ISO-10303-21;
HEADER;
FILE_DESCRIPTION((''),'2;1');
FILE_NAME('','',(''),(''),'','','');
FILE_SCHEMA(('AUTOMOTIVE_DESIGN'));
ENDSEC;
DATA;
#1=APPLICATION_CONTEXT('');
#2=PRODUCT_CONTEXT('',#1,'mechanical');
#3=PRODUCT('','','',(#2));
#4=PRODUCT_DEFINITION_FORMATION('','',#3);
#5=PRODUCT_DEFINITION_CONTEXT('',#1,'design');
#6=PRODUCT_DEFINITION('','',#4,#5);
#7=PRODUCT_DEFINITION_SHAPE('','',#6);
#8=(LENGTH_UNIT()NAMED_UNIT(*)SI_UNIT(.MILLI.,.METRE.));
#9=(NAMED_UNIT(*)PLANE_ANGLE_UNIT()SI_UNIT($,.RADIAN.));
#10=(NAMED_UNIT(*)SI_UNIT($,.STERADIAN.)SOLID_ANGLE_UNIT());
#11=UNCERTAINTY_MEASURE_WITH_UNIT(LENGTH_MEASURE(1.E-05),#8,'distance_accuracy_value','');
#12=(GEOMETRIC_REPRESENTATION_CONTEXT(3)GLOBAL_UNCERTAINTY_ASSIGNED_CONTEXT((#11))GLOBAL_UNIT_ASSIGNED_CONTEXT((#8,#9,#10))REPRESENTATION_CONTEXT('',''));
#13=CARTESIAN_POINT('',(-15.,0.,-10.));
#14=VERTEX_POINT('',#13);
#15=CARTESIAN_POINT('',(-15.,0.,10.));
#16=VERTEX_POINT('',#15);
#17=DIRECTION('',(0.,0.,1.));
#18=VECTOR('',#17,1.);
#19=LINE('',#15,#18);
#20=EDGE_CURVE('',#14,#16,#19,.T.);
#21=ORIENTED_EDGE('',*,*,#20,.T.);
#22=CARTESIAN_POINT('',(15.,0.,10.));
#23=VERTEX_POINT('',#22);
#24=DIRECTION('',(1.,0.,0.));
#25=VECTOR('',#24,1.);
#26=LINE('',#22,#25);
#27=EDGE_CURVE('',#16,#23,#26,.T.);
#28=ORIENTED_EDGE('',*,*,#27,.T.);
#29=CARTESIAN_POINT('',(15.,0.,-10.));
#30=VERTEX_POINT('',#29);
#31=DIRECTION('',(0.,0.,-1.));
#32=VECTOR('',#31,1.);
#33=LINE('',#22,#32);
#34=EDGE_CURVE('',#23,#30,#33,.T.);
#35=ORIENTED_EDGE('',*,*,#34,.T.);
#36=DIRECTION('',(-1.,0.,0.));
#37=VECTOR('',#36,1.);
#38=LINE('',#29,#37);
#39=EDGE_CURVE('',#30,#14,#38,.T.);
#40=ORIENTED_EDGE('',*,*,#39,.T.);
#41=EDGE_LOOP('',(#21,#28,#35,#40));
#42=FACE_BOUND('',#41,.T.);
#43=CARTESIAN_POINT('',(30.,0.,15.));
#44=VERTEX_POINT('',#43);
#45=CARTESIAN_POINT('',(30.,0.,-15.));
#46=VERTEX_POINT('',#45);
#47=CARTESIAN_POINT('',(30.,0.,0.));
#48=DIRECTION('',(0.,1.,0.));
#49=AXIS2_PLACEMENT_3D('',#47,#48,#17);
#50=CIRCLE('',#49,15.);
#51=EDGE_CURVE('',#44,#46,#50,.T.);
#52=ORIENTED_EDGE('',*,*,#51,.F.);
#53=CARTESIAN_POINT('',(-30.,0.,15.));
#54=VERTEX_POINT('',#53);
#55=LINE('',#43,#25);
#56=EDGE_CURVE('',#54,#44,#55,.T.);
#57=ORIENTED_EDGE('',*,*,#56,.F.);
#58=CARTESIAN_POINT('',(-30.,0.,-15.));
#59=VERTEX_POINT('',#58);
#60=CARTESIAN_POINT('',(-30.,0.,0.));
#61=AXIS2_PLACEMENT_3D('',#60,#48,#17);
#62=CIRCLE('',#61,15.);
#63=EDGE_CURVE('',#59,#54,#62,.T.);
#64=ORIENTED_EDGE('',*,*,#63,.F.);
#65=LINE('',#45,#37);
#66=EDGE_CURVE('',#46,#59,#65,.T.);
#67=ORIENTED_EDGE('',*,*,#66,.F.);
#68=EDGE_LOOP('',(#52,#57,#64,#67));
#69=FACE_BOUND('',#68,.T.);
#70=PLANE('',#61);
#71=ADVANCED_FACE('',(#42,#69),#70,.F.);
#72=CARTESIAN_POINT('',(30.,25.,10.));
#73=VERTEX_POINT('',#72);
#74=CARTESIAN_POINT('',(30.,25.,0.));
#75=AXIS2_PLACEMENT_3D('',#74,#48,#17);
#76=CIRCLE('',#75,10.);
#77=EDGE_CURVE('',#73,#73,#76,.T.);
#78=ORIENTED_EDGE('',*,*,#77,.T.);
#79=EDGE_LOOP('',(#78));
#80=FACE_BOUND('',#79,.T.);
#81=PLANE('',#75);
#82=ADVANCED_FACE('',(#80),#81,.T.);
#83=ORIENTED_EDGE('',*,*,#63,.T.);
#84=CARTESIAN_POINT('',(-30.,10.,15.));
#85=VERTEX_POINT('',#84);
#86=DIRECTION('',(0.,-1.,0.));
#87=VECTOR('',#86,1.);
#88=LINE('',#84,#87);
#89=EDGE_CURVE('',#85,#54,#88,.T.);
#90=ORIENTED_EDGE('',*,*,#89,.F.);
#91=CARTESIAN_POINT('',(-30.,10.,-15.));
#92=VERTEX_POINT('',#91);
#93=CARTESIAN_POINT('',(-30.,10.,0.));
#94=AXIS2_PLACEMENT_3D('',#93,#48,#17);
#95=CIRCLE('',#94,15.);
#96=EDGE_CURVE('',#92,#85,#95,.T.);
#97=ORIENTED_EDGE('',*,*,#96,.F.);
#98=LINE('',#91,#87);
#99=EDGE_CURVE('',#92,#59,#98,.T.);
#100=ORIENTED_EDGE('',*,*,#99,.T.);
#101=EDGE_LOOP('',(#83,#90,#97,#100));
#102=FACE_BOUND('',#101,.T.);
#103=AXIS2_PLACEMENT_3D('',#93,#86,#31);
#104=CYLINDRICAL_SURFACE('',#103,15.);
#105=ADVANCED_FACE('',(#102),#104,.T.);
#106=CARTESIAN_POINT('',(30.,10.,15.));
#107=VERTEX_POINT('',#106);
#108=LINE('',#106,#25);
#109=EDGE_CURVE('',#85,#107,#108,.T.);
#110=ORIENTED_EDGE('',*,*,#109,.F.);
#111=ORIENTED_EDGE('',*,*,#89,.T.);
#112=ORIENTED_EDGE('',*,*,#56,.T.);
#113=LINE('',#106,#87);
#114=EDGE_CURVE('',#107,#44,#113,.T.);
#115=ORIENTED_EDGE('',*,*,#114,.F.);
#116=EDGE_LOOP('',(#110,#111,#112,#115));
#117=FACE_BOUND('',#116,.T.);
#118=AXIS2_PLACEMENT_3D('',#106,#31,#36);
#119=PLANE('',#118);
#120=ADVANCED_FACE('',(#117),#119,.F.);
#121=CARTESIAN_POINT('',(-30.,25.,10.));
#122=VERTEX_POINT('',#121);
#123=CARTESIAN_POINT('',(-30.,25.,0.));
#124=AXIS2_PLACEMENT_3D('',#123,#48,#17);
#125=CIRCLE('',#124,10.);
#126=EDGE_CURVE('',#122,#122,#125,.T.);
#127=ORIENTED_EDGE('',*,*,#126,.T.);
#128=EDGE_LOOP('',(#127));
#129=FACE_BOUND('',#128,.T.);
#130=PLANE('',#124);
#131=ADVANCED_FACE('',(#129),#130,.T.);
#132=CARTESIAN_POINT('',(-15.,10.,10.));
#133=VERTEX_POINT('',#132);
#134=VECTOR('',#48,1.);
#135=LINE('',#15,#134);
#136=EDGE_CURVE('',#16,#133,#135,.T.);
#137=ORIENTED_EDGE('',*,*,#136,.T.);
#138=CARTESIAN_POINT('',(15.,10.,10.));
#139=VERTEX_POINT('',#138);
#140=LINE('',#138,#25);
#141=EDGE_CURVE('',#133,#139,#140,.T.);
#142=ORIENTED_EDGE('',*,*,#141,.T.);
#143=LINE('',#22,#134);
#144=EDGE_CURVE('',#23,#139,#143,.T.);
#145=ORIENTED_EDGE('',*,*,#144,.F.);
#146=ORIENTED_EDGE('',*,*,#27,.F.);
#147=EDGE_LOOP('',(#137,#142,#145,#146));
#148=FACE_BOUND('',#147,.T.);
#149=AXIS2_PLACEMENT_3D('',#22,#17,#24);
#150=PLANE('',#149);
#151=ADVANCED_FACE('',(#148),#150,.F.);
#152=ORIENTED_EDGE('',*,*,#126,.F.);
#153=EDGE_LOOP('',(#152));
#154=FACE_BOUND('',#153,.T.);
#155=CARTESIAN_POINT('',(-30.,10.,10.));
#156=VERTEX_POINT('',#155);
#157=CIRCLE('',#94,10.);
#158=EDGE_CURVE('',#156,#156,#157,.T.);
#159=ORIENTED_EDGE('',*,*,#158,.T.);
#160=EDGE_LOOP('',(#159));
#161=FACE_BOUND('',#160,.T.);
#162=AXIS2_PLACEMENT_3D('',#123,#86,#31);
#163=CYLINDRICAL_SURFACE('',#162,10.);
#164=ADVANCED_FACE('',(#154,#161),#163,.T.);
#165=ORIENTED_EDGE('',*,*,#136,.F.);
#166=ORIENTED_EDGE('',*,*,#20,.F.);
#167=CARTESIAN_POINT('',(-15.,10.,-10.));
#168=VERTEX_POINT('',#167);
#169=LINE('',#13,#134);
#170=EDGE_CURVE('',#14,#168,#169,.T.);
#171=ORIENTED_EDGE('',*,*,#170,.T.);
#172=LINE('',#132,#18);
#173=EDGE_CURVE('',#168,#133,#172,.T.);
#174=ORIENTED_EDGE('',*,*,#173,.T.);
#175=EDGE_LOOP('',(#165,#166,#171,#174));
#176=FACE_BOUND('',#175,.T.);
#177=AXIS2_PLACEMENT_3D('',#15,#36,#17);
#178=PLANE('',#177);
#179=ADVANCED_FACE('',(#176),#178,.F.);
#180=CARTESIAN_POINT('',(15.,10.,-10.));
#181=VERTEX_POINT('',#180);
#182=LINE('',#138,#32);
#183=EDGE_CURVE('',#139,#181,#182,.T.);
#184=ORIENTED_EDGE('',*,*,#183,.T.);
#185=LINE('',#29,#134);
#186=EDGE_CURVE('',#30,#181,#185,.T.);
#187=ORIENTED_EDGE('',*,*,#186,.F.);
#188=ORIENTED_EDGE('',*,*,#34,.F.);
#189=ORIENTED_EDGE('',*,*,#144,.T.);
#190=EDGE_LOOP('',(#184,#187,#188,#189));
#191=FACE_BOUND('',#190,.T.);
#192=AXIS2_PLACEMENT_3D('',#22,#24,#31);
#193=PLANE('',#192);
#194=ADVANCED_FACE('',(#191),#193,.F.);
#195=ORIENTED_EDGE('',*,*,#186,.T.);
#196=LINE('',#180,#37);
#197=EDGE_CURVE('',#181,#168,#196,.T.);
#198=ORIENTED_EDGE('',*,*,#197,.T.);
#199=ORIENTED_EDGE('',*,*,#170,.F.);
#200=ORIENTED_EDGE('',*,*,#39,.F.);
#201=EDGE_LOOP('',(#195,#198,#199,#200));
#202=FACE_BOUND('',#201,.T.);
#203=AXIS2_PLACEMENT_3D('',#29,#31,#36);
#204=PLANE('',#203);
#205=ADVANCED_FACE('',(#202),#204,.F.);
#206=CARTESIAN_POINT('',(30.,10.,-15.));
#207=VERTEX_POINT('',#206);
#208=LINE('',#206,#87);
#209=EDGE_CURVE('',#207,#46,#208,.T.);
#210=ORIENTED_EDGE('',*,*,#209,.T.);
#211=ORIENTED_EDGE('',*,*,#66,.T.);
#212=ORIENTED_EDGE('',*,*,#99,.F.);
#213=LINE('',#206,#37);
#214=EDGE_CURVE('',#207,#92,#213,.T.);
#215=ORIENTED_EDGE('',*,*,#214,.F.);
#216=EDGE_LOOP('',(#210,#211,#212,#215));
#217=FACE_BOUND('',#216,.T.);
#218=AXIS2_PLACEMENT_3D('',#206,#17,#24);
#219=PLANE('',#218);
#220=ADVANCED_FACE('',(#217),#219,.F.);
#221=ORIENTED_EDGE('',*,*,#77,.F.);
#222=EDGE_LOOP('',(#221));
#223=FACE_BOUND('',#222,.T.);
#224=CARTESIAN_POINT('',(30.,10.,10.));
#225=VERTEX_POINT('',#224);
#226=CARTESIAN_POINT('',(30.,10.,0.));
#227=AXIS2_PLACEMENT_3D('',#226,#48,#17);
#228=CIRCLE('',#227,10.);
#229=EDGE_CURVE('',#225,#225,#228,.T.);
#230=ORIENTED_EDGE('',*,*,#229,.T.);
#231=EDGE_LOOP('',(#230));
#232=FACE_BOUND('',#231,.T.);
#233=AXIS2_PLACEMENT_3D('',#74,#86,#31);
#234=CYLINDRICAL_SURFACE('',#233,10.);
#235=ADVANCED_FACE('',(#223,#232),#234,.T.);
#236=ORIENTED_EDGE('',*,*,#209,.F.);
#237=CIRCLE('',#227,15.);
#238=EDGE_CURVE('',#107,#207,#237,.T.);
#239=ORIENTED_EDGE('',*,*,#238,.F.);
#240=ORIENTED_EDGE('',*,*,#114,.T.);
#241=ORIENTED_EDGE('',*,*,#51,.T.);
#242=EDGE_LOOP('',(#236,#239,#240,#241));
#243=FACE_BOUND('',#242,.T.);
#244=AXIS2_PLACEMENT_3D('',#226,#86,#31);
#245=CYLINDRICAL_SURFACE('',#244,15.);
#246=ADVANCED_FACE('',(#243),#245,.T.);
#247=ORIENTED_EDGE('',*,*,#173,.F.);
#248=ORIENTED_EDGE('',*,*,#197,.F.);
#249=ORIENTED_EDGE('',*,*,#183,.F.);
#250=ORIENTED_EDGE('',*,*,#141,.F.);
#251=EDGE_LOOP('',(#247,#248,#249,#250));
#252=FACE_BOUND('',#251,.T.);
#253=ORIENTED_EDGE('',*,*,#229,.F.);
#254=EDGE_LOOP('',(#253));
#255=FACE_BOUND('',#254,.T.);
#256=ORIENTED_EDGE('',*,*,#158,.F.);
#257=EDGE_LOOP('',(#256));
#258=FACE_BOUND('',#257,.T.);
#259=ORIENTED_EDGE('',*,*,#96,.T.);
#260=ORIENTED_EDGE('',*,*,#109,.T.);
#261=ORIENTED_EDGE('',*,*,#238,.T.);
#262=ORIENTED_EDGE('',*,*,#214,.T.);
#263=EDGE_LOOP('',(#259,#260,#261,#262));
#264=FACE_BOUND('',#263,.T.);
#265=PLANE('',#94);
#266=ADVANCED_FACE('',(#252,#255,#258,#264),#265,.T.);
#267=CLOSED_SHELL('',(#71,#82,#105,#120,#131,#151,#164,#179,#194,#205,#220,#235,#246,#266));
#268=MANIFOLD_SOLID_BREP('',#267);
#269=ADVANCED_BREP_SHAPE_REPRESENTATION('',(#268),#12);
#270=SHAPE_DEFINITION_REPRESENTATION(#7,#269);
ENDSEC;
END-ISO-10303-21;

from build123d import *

# Parameters (mm, degrees)
BOSS_EXTRUDE1_DEPTH = 10
SKETCH2_W           = 30
SKETCH2_H           = 20
CUT_EXTRUDE1_DEPTH  = 10
SKETCH3_R           = 10
BOSS_EXTRUDE2_DEPTH = 15


with BuildPart() as part:
    # Sketch1 → Boss-Extrude1 (new body)
    with BuildSketch(Plane(origin=(0, 0, 0), x_dir=(1, 0, 0), z_dir=(0, 1, 0))):
        with BuildLine():
            Line((30, -15), (-30, -15))
            ThreePointArc((-30, -15), (-45, 0), (-30, 15))
            Line((-30, 15), (30, 15))
            ThreePointArc((30, 15), (45, 0), (30, -15))
        make_face()
    extrude(amount=BOSS_EXTRUDE1_DEPTH)

    # Sketch2 → Cut-Extrude1 (cut)
    with BuildSketch(Plane(origin=(0, 10, 0), x_dir=(1, 0, 0), z_dir=(0, 1, 0))):
        Rectangle(SKETCH2_W, SKETCH2_H)
    extrude(amount=-CUT_EXTRUDE1_DEPTH, mode=Mode.SUBTRACT)

    # Sketch3 → Boss-Extrude2 (add)
    with BuildSketch(Plane(origin=(0, 10, 0), x_dir=(1, 0, 0), z_dir=(0, 1, 0))):
        with Locations(Location((-30, 0, 0), (0, 0, 270))):
            Circle(SKETCH3_R)
        with Locations(Location((30, 0, 0), (0, 0, 270))):
            Circle(SKETCH3_R)
    extrude(amount=BOSS_EXTRUDE2_DEPTH)


solid = part.part
